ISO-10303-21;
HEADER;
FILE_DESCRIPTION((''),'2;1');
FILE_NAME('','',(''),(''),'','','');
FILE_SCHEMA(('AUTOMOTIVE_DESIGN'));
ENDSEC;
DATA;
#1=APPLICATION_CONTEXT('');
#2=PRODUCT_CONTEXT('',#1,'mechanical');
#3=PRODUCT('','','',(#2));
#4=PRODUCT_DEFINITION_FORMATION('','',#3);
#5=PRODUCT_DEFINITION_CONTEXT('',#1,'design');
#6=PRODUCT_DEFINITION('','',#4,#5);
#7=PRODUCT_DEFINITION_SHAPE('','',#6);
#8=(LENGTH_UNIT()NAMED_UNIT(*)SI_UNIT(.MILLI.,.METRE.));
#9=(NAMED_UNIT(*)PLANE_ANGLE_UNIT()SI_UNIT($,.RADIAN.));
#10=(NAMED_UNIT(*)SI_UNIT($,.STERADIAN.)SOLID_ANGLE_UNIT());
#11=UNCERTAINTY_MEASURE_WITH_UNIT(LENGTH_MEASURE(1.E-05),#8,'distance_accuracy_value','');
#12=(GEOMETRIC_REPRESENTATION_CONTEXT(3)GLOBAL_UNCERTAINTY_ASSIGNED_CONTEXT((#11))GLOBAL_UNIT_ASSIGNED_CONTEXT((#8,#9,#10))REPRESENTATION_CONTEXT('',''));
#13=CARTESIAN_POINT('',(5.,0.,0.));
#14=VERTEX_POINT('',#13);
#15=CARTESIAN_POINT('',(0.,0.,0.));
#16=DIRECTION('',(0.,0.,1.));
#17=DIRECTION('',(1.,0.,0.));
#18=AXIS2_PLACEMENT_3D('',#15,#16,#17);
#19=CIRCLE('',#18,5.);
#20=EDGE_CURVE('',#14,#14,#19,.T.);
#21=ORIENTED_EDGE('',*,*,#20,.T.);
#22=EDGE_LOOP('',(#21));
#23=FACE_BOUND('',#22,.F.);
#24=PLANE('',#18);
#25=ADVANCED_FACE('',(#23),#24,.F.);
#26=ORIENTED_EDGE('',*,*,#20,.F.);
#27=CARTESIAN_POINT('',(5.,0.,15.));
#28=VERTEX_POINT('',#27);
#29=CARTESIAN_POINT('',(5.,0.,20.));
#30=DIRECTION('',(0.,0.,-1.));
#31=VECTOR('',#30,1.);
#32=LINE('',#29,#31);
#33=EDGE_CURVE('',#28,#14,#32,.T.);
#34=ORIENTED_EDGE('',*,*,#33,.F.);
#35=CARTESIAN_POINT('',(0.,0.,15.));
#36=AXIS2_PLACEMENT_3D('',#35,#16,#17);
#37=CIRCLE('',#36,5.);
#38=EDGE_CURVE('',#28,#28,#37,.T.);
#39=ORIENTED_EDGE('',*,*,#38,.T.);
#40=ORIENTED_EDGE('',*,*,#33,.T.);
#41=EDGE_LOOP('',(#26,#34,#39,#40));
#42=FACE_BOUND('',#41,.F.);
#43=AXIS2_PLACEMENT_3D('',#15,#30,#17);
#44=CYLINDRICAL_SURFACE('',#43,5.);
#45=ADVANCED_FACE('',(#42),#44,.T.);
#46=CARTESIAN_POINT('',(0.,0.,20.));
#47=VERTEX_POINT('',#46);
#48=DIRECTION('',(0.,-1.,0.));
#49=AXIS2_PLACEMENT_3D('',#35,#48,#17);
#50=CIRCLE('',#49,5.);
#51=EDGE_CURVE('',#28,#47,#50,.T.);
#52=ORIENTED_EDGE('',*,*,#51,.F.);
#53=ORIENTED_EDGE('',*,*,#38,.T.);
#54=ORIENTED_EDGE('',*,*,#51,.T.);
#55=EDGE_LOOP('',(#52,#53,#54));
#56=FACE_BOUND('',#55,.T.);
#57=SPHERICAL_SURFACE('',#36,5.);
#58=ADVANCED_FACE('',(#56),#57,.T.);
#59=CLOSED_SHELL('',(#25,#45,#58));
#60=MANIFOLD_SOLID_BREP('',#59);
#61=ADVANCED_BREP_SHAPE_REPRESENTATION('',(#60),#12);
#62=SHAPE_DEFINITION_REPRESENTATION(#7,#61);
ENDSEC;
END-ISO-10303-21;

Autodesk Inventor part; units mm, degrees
ref_plane "YZ Plane" through (0, 0, 0) normal (1, 0, 0) x (0, 1, 0)
ref_plane "XZ Plane" through (0, 0, 0) normal (0, 1, 0) x (-1, 0, 0)
sketch "Sketch1" plane through (0, 0, 0) normal (0, 0, 1) x (1, 0, 0)
  circle A0 centre (0, 0) radius 5
  dimension "d0" = 10
ref_plane "Work Plane2" through (0, 0, 36.9492) normal (0, 0, 1) x (0.9887, -0.1496, 0)
extrude "Extrusion2" add sketch "Sketch1" along normal blind 10
sketch "Sketch5" plane through (0, 0, 10) normal (0, 0, 1) x (1, 0, 0)
  circle A0 centre (0, 0) radius 5
  dimension "d9" = 10
extrude "Extrusion3" add sketch "Sketch5" along normal blind 10
fillet "Fillet2" radius 5 1 edges at (-5, 0, 20)
properties part number "notch piston 2"
